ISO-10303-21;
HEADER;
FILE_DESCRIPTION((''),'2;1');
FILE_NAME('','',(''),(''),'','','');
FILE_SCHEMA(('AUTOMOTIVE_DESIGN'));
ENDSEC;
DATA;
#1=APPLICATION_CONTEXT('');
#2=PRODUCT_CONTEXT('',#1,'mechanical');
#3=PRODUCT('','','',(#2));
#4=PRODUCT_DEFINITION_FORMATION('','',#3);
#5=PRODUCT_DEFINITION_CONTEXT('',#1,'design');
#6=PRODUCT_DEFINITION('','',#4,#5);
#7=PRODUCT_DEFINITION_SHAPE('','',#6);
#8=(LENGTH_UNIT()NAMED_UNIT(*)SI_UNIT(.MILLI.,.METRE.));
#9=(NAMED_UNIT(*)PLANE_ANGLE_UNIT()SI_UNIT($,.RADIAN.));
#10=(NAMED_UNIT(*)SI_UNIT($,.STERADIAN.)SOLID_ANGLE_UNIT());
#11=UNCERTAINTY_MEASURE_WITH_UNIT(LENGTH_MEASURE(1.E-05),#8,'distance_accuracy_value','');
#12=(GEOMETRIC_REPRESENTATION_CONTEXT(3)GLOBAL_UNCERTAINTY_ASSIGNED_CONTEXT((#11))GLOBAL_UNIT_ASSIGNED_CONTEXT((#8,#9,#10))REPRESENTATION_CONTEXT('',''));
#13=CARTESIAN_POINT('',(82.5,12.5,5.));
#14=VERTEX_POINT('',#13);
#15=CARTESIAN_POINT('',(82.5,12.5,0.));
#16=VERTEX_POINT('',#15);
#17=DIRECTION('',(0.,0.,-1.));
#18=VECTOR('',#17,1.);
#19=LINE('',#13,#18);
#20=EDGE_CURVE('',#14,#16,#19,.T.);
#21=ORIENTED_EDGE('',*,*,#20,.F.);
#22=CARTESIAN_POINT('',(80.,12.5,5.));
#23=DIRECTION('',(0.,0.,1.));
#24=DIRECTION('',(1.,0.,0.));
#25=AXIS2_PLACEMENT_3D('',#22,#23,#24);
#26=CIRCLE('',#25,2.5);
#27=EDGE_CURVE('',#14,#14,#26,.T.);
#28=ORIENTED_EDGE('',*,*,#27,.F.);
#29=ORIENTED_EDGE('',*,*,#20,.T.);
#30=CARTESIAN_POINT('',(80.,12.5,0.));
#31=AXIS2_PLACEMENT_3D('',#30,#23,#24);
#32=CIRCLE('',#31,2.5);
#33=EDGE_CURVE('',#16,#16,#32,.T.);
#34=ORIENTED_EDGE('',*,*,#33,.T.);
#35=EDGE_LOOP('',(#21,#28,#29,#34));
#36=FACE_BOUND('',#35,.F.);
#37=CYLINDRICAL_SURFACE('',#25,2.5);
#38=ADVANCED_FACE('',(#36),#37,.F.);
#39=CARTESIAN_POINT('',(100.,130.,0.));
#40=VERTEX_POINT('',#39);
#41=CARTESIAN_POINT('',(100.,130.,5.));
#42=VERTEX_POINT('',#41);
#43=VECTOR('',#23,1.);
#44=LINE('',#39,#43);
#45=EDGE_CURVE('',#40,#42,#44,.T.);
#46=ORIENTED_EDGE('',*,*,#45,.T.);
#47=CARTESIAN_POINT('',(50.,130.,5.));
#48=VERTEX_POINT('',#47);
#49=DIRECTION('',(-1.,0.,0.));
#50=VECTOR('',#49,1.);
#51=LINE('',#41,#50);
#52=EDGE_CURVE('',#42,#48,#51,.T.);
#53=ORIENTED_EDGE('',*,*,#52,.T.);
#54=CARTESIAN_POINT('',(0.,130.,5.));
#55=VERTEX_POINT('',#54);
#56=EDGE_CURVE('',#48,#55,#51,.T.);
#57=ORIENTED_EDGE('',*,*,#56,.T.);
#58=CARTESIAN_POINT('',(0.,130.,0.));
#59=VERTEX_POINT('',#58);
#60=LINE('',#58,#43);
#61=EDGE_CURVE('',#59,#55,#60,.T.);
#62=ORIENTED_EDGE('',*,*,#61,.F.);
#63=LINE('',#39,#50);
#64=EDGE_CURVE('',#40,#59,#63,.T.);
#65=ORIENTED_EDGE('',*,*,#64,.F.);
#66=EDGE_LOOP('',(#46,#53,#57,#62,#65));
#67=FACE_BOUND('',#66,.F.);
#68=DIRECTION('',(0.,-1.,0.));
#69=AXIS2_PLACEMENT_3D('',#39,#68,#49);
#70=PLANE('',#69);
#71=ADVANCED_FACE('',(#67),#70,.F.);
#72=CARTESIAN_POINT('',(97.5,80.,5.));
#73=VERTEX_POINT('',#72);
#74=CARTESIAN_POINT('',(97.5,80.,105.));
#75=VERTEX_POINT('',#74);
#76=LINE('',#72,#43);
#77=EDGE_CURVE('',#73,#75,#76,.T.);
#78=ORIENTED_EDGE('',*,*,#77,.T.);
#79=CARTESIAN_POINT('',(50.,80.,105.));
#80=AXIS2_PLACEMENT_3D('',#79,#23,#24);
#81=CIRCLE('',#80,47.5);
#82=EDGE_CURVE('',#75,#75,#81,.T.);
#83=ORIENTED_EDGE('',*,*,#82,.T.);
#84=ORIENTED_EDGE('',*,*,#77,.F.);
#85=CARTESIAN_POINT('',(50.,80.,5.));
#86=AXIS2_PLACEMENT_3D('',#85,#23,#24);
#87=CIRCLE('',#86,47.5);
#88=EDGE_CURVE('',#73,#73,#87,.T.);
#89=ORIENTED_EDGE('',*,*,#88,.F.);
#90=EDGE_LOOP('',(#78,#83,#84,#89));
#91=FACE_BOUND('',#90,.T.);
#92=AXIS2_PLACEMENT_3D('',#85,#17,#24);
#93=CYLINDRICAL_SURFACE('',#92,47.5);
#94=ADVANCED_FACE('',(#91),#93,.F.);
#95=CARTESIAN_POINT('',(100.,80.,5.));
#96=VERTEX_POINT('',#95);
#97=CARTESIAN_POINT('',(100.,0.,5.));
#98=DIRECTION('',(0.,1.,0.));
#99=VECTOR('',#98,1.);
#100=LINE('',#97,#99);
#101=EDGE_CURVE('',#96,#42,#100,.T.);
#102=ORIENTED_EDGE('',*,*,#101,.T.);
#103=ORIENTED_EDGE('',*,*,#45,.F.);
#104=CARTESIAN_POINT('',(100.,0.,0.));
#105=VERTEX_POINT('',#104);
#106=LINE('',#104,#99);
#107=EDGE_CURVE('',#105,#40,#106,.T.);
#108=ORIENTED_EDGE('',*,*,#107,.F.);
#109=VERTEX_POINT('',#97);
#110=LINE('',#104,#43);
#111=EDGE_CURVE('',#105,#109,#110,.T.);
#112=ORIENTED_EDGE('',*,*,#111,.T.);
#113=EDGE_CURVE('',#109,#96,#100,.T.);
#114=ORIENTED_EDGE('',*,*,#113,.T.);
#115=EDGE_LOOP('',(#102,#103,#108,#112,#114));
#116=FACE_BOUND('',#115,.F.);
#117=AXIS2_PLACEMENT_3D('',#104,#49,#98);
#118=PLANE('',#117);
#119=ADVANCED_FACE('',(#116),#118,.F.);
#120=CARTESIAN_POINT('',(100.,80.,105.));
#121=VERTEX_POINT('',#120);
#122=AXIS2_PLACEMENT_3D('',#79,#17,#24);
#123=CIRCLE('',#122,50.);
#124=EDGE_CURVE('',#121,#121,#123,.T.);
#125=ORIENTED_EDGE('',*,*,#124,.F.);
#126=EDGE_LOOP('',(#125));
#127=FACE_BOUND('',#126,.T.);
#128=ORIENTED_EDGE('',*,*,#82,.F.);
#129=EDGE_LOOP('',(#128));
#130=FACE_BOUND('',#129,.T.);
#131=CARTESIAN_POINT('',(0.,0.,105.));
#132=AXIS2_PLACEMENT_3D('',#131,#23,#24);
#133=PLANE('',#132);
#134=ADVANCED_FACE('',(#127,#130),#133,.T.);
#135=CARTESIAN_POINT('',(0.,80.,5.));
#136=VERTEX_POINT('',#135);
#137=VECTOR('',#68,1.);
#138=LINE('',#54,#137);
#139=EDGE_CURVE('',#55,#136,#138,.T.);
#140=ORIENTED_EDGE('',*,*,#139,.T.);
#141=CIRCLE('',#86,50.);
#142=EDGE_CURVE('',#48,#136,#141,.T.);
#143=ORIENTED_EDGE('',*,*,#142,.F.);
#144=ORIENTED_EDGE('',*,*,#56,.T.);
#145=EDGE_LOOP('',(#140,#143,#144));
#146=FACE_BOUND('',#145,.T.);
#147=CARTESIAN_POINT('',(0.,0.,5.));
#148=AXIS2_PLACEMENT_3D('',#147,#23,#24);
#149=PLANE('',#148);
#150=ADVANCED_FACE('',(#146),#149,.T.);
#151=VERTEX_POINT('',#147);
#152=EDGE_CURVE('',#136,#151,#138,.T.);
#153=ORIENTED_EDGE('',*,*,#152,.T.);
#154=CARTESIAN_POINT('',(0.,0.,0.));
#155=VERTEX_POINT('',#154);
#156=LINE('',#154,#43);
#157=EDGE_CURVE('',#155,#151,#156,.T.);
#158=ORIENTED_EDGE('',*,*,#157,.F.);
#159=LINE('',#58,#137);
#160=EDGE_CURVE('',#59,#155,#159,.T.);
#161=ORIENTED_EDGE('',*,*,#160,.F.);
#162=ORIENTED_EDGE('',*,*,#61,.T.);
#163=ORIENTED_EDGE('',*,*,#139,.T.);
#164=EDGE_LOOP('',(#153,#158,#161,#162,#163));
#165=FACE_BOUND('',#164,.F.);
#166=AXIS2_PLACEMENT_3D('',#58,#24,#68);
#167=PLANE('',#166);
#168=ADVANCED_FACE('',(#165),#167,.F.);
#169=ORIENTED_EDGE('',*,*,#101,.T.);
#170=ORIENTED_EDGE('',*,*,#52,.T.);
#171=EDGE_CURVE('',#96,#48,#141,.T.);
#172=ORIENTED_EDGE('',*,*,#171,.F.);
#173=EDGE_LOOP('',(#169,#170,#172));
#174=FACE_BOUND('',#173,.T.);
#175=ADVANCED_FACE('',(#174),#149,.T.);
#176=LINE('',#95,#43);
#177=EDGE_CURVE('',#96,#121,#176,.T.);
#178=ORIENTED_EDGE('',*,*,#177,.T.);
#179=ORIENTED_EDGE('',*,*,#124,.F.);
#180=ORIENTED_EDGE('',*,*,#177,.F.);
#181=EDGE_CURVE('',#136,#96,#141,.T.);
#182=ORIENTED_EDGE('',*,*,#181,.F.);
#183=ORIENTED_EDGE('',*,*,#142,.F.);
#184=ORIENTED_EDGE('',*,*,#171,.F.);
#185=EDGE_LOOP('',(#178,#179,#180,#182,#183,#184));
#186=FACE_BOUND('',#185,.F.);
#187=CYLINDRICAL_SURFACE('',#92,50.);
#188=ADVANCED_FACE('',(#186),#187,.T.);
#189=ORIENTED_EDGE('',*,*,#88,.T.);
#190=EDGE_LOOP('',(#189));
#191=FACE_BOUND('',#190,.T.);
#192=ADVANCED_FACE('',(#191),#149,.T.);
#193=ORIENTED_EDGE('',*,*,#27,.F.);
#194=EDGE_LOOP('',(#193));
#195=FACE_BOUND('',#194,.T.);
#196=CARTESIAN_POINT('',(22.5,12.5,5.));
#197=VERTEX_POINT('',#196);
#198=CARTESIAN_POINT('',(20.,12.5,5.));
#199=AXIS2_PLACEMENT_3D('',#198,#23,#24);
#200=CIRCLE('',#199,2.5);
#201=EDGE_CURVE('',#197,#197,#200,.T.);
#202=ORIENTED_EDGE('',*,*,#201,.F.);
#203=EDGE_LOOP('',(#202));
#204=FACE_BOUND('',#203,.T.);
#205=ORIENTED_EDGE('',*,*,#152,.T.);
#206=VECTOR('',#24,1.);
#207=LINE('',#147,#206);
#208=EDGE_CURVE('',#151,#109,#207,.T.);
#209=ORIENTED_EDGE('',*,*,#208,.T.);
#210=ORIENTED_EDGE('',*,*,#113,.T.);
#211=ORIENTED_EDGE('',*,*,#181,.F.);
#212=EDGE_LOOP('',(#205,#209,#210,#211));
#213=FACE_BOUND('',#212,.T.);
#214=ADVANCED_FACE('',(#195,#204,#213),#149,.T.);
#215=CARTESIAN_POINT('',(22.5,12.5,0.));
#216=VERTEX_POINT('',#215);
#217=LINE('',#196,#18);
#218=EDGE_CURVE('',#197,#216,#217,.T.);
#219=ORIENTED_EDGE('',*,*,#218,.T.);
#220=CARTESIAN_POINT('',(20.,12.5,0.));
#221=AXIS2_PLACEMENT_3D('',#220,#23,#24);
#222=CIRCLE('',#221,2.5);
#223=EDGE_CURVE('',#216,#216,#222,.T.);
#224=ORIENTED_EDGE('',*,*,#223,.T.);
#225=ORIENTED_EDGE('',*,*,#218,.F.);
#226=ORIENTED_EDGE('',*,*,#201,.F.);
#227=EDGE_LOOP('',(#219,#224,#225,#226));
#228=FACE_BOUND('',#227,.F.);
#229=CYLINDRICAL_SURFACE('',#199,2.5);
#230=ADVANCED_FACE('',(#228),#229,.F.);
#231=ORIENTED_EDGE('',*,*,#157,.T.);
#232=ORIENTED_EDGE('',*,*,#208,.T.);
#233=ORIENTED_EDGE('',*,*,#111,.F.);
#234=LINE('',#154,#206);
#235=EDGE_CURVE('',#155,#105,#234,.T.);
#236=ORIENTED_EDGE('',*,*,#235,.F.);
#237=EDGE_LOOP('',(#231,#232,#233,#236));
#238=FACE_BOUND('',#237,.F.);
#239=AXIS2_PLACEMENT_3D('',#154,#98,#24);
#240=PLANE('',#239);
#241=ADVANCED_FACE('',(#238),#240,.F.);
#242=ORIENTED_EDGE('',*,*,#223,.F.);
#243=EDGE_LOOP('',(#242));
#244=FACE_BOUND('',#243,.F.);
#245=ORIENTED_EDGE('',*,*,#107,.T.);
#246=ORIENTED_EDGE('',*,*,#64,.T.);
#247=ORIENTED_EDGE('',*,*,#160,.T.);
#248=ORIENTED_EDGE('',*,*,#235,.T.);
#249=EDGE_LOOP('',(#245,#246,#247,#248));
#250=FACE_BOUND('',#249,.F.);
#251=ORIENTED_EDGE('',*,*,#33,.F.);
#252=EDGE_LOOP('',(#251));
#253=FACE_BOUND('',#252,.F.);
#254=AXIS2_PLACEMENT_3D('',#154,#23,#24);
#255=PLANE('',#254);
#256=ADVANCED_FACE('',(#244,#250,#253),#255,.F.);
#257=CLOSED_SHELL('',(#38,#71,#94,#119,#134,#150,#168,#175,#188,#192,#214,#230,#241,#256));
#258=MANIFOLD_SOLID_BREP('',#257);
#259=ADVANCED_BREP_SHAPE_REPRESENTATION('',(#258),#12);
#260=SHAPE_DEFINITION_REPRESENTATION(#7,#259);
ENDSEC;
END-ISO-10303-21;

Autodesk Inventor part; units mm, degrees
ref_plane "YZ Plane" through (0, 0, 0) normal (1, 0, 0) x (0, 1, 0)
ref_plane "XZ Plane" through (0, 0, 0) normal (0, 1, 0) x (-1, 0, 0)
ref_plane "XY Plane" through (0, 0, 0) normal (0, 0, 1) x (1, 0, 0)
sketch "Sketch1" plane through (0, 0, 0) normal (0, 0, 1) x (1, 0, 0)
  line L0 (0, 0) -> (100, 0)
  line L1 (100, 0) -> (100, 130)
  line L2 (100, 130) -> (0, 130)
  line L3 (0, 130) -> (0, 0)
  dimension "d0" = 100
  dimension "d1" = 130
extrude "Extrusion1" add sketch "Sketch1" along normal blind 5
sketch "Sketch2" plane through (0, 0, 5) normal (0, 0, 1) x (1, 0, 0)
  line L0 (0, 130) -> (0, 0) projected
  line L1 (100, 130) -> (0, 130) projected
  line L2 (0, 0) -> (100, 0)
  line L3 (100, 0) -> (100, 130)
  line L4 (100, 130) -> (0, 130)
  line L5 (0, 130) -> (0, 0)
  circle A0 centre (50, 80) radius 50
  circle A1 centre (50, 80) radius 47.5
  dimension "d4" = 95
extrude "Extrusion2" add sketch "Sketch2" along normal blind 100 contours A0
sketch "Sketch3" plane through (0, 0, 5) normal (0, 0, 1) x (1, 0, 0)
  line L0 (100, 0) -> (100, 130) projected
  line L1 (0, 80) -> (0, 0) projected
  line L2 (100, 0) -> (0, 0)
  line L3 (0, 0) -> (0, 25)
  line L4 (0, 25) -> (100, 25)
  line L5 (100, 25) -> (100, 0)
  circle A0 centre (80, 12.5) radius 2.5
  circle A1 centre (20, 12.5) radius 2.5
  point P0 (0, 12.5)
  point P1 (100, 12.5)
  dimension "d7" = 25
  dimension "d8" = 5
  dimension "d9" = 5
  dimension "d10" = 20
  dimension "d11" = 20
  dimension "d12" = 12.5
  dimension "d13" = 12.5
extrude "Extrusion3" cut sketch "Sketch3" against normal blind 100 contours A0 | A1
thread "Thread1" size "M5x0.8" class "6H" standard "ANSI Metric M Profile" full length
thread "Thread2" size "M5x0.8" class "6H" standard "ANSI Metric M Profile" full length
properties part number "Reservoir"
